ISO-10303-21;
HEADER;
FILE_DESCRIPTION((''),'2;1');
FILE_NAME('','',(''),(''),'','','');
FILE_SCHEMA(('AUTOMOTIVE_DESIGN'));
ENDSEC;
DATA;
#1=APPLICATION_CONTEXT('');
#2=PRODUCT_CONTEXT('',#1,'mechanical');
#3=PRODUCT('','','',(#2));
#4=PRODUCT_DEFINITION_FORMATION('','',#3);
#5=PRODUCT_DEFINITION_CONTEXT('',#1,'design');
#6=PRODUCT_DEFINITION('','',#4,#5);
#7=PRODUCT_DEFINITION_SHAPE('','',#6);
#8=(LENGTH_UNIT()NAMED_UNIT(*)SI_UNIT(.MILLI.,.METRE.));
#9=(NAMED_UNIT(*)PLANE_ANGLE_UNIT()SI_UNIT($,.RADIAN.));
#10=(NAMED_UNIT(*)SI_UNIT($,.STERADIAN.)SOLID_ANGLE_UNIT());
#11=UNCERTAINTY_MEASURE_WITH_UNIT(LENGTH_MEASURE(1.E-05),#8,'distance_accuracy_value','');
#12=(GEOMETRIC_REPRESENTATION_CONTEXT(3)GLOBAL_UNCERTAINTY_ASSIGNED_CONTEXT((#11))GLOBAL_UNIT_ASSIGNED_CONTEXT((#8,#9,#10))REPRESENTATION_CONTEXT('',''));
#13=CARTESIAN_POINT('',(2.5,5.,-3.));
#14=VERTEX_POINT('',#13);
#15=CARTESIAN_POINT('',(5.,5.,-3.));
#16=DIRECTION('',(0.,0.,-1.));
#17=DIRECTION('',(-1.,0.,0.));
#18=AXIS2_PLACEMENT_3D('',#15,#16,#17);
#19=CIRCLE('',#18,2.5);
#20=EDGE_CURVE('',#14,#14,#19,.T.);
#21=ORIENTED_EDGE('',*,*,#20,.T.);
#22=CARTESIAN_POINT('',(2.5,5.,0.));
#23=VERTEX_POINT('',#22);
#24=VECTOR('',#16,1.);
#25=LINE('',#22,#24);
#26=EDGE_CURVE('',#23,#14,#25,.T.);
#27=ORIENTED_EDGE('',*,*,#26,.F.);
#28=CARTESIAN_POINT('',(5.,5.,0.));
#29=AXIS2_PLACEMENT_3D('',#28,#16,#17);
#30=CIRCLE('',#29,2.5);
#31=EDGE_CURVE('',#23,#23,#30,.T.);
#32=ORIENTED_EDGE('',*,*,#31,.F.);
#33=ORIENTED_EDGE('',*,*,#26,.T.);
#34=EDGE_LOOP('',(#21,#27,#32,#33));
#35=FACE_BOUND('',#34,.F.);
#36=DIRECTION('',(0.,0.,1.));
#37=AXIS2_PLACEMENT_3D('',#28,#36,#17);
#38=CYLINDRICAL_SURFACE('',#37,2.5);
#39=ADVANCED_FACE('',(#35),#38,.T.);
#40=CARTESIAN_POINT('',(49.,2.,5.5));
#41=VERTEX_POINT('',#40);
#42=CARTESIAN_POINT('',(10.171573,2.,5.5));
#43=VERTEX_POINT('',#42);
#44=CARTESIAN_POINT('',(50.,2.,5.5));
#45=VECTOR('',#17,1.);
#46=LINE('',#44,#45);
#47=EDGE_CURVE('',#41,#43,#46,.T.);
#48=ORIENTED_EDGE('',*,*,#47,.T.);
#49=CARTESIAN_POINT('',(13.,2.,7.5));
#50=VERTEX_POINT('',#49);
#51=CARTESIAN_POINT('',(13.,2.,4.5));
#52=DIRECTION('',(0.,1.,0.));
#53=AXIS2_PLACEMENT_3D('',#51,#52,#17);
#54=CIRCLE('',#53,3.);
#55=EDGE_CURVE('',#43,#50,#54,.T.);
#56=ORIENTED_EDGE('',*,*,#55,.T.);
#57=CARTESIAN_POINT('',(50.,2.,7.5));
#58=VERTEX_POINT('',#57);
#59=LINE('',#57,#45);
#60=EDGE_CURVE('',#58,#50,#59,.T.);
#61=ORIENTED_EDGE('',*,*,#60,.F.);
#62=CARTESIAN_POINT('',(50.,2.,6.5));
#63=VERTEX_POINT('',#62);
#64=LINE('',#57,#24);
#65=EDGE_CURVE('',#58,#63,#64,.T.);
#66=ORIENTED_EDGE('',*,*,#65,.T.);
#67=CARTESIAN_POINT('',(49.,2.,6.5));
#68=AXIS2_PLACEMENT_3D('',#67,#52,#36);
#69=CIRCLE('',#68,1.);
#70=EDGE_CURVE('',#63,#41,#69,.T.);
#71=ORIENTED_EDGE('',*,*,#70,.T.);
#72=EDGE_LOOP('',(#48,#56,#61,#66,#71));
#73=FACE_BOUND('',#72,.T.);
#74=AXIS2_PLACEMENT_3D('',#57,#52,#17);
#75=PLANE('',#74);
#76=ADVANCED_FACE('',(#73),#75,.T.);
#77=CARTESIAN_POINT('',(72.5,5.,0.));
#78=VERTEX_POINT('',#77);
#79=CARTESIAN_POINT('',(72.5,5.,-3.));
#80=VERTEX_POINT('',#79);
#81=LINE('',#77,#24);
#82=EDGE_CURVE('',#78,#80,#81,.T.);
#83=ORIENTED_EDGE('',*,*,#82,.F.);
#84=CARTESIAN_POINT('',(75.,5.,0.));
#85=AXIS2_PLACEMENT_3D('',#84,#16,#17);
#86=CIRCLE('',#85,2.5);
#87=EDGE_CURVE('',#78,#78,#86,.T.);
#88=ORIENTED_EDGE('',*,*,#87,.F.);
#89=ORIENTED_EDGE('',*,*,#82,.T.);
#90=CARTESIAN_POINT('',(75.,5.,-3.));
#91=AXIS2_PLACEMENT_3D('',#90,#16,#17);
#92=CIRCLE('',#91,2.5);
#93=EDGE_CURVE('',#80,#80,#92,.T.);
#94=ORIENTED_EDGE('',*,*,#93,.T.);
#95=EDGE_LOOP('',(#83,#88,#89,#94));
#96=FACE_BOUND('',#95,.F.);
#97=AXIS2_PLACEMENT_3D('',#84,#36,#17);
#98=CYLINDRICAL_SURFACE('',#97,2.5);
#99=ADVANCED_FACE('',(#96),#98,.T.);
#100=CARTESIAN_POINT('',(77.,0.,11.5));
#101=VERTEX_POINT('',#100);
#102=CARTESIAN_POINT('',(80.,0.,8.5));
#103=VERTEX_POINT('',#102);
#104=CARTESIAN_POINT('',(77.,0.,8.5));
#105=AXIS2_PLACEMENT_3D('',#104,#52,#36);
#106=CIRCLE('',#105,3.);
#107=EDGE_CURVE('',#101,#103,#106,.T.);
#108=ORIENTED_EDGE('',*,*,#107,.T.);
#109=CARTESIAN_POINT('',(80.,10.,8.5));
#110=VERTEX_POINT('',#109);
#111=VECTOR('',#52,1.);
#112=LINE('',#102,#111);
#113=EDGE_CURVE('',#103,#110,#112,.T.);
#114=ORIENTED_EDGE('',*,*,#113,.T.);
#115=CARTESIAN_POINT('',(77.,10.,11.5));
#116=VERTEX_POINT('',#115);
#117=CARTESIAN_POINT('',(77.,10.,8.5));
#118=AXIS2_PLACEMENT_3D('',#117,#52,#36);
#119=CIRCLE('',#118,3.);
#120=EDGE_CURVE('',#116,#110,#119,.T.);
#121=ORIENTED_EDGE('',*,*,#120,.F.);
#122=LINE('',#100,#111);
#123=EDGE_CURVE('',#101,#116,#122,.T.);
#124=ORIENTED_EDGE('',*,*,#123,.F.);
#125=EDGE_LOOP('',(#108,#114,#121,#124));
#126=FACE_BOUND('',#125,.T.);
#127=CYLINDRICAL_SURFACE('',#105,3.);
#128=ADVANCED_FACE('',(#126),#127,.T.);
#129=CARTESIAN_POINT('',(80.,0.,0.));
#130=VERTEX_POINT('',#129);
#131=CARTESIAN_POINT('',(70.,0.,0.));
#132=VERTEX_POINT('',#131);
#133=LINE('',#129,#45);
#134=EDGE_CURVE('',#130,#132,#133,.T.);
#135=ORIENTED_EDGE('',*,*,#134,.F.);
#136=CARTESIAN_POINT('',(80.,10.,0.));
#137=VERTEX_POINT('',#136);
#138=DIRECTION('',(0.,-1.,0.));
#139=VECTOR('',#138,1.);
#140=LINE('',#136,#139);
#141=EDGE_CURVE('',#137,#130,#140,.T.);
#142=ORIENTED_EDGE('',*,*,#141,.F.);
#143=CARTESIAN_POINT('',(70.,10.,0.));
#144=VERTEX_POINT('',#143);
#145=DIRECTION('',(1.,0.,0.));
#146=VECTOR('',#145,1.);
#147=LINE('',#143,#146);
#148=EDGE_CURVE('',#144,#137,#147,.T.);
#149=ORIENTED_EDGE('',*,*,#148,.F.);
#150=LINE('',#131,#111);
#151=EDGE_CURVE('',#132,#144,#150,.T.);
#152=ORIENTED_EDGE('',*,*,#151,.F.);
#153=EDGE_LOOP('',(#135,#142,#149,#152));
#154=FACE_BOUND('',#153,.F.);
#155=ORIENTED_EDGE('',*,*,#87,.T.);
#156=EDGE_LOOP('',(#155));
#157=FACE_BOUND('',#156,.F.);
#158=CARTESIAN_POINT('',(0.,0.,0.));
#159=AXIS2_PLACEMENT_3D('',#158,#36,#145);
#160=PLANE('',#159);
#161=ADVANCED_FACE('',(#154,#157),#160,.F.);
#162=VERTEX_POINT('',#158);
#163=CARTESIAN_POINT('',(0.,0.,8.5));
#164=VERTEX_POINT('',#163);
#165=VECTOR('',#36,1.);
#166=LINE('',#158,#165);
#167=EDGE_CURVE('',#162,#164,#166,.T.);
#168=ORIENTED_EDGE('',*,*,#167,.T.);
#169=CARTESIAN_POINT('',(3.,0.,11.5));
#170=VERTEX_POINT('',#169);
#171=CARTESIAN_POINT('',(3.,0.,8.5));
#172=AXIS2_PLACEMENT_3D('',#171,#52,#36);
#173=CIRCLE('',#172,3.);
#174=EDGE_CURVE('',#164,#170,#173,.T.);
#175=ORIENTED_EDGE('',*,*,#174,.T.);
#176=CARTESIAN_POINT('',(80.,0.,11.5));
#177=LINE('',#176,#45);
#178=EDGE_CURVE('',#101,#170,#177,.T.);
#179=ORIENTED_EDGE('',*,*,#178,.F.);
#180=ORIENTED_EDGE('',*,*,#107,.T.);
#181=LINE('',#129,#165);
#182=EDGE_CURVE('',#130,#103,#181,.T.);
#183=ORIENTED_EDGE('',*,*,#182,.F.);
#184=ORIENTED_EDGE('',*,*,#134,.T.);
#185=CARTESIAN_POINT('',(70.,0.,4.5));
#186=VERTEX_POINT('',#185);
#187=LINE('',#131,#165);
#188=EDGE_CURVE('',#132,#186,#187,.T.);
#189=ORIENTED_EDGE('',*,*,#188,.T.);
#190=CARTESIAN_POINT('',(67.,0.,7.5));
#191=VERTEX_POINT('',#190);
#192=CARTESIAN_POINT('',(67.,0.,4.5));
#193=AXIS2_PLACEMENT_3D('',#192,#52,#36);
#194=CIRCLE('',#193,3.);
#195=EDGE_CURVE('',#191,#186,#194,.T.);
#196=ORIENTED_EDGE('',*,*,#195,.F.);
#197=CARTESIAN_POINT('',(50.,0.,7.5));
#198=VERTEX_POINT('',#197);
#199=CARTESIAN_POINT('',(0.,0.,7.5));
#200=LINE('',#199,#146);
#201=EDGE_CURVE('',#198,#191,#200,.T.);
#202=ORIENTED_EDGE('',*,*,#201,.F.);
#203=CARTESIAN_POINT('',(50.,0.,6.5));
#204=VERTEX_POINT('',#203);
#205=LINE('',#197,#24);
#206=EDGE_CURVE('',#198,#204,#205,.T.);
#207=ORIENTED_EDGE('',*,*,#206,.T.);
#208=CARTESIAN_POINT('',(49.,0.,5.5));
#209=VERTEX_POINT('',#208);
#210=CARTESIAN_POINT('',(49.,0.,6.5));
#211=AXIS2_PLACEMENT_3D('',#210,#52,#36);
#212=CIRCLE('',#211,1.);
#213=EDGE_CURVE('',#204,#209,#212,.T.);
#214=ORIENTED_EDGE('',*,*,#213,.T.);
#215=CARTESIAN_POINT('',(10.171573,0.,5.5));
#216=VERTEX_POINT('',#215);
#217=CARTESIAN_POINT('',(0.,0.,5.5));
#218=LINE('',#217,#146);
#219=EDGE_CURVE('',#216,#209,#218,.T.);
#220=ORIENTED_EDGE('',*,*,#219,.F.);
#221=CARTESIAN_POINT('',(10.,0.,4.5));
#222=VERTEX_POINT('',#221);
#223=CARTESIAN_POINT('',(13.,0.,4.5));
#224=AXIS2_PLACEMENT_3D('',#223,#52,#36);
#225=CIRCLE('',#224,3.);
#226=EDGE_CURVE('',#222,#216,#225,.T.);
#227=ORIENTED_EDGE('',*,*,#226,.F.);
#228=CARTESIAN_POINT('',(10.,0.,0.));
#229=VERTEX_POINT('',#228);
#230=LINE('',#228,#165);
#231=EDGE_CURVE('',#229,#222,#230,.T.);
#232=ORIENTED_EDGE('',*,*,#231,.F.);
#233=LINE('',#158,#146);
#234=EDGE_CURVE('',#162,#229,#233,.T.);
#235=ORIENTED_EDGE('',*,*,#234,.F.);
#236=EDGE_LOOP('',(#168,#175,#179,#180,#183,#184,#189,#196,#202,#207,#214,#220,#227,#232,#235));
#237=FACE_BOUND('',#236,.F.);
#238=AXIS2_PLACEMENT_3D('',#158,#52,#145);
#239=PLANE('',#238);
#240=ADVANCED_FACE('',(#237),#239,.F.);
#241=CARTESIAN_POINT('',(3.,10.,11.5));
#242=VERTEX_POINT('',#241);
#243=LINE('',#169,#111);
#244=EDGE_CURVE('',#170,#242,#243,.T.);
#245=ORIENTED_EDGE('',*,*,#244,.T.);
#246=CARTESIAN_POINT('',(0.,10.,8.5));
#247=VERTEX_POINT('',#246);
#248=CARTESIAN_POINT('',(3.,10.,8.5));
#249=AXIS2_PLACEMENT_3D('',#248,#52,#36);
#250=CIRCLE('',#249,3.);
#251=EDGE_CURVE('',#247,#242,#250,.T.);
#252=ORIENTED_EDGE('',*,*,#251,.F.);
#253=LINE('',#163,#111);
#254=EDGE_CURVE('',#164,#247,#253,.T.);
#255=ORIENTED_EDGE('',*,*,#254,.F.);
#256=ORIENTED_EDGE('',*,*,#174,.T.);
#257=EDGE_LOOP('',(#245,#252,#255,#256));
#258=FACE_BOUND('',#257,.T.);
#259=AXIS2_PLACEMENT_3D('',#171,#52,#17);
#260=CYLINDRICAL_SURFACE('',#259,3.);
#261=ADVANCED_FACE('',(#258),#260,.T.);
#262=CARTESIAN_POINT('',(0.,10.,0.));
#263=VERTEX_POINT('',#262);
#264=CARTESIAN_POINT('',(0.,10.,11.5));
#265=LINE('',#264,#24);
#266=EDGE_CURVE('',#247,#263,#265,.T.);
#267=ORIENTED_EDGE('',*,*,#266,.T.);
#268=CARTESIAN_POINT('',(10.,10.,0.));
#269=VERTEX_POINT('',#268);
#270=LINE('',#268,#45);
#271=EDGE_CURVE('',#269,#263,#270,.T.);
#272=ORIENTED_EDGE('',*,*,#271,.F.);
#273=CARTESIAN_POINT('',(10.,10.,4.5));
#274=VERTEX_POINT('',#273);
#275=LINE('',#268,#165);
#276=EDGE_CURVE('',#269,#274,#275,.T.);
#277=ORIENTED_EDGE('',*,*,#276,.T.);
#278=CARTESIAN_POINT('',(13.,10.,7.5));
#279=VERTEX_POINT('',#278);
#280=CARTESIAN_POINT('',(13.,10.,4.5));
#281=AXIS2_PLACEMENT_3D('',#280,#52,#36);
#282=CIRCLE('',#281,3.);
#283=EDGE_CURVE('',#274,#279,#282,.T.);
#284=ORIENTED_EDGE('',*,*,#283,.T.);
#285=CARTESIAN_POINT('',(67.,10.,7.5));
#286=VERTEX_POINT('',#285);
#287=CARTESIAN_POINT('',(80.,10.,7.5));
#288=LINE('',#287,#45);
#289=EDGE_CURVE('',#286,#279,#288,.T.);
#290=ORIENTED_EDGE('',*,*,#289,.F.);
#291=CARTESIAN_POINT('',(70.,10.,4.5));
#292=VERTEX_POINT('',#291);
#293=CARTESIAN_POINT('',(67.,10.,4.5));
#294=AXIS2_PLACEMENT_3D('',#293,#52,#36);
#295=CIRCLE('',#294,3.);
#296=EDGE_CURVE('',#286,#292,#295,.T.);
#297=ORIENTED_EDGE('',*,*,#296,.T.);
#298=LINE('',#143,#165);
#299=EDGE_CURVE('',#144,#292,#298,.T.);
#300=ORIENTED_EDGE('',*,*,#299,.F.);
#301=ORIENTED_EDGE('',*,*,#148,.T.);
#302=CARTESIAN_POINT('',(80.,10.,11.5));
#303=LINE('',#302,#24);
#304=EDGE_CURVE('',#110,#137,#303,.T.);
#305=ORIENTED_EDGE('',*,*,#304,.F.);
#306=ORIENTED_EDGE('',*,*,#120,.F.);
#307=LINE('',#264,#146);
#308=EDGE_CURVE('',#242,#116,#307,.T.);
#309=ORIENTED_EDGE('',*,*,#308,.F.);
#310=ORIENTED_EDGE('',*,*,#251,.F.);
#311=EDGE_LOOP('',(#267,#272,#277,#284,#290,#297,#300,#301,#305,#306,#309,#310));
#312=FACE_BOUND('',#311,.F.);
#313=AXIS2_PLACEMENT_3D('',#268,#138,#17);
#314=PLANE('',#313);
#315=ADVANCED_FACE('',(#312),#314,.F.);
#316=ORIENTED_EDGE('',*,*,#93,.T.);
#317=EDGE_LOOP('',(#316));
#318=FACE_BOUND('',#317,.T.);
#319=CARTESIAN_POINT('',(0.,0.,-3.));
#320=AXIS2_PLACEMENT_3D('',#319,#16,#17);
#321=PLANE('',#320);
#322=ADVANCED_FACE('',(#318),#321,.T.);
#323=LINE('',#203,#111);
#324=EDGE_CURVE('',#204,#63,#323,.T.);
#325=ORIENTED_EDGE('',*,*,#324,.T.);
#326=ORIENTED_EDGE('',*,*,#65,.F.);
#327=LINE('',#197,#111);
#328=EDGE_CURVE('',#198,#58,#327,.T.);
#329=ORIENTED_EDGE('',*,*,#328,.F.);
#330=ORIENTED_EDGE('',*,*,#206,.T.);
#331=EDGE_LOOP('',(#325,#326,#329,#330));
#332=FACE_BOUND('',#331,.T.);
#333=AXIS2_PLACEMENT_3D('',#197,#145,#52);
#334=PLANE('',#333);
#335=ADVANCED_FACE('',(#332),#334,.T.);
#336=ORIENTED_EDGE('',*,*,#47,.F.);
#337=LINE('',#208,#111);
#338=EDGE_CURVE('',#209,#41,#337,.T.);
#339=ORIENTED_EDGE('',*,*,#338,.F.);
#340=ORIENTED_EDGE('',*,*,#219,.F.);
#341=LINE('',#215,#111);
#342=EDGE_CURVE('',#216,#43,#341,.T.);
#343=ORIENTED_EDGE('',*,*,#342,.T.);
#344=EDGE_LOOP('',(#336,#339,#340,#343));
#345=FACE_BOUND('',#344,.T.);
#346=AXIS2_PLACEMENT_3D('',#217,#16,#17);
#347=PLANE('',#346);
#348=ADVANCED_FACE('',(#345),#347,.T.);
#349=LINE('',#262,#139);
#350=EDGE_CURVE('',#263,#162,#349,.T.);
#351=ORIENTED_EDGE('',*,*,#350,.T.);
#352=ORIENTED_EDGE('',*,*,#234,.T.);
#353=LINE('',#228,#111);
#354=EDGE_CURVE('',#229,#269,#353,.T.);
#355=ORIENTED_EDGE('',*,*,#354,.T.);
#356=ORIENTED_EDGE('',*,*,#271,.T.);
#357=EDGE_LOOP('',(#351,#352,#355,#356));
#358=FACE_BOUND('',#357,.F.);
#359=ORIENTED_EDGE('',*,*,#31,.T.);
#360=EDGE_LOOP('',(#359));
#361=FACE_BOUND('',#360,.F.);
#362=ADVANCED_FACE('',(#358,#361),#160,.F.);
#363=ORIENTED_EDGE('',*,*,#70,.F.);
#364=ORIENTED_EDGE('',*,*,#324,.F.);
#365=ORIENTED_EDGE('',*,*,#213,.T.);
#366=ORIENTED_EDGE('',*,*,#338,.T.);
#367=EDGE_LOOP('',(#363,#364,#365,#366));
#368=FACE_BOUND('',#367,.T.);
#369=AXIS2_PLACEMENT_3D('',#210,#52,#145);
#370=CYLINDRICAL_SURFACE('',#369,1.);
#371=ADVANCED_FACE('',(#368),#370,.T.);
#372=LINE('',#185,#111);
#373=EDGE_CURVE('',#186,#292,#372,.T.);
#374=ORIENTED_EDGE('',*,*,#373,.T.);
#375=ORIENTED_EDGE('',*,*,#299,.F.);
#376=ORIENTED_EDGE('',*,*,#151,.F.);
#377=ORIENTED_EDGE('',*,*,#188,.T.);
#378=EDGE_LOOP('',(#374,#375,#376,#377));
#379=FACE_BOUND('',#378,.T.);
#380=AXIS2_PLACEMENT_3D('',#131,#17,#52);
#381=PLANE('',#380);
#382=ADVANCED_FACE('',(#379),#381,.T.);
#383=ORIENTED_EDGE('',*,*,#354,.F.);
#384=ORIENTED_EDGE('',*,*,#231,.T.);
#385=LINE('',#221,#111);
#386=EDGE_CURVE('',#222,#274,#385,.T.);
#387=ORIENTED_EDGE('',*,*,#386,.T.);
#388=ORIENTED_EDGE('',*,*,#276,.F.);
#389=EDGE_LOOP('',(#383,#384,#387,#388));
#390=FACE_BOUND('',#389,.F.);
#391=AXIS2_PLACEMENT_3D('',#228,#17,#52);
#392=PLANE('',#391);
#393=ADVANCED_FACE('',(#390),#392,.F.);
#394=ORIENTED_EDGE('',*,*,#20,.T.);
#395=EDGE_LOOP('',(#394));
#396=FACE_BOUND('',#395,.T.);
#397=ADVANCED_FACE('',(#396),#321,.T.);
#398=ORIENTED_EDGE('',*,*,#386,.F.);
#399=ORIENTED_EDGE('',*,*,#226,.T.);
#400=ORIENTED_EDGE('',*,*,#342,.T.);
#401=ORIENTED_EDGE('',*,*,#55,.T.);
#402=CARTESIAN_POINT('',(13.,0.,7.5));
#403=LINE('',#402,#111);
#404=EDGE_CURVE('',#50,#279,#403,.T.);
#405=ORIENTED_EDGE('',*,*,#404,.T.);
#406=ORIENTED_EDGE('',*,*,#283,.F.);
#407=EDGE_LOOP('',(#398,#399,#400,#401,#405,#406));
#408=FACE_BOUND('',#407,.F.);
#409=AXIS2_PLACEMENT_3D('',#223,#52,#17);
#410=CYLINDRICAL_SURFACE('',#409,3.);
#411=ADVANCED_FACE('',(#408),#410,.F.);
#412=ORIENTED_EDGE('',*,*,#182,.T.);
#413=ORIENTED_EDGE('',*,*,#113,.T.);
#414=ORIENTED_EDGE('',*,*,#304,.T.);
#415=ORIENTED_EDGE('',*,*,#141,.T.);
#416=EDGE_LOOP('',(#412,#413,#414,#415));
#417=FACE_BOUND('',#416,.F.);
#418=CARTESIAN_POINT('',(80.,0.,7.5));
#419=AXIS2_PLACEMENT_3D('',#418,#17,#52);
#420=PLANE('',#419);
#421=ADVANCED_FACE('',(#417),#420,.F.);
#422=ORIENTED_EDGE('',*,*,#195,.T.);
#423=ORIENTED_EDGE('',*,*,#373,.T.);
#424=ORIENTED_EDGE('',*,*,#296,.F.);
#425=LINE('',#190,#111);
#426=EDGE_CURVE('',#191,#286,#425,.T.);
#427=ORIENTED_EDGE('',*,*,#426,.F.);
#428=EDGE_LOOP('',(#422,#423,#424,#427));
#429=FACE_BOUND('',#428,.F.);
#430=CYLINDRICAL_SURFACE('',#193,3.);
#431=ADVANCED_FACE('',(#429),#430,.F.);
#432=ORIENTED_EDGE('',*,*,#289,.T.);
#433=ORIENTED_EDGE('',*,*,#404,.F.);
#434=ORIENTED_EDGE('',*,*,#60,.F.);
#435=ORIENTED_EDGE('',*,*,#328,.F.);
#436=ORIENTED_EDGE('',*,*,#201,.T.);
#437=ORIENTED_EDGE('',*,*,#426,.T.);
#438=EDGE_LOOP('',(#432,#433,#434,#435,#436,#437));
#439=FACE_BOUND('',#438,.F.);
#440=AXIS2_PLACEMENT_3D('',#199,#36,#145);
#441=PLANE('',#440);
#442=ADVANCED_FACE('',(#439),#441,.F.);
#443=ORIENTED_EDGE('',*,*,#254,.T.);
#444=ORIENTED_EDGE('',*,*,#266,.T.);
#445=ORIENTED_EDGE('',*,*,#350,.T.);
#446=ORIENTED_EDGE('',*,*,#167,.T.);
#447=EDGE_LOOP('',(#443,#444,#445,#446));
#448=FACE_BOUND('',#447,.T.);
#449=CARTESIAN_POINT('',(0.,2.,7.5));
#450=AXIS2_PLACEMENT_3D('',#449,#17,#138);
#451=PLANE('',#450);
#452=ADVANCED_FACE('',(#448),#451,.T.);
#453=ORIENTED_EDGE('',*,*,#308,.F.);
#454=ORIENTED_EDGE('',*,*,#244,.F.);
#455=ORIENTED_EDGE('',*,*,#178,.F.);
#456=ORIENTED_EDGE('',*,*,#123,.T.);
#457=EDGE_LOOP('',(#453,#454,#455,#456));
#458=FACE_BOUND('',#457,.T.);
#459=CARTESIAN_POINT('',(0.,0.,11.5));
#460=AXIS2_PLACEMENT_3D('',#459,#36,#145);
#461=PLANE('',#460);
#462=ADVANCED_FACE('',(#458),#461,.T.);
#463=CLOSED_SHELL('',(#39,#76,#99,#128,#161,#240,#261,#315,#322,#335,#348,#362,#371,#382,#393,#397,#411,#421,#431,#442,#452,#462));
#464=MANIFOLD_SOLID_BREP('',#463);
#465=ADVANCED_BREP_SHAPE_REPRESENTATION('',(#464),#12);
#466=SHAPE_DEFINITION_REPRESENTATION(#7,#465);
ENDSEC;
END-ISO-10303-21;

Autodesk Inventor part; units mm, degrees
ref_plane "YZ Plane" through (0, 0, 0) normal (1, 0, 0) x (0, 1, 0)
ref_plane "XZ Plane" through (0, 0, 0) normal (0, 1, 0) x (-1, 0, 0)
ref_plane "XY Plane" through (0, 0, 0) normal (0, 0, 1) x (1, 0, 0)
sketch "Skizze1" plane through (0, 0, 0) normal (0, 0, 1) x (1, 0, 0)
  line L0 (0, 0) -> (10, 0)
  line L1 (10, 0) -> (10, 10)
  line L2 (10, 10) -> (0, 10)
  line L3 (0, 10) -> (0, 0)
  line L4 (70, 10) -> (80, 10)
  line L5 (80, 10) -> (80, 0)
  line L6 (80, 0) -> (70, 0)
  line L7 (70, 0) -> (70, 10)
  dimension "d0" = 10
  dimension "d1" = 10
  dimension "d2" = 10
  dimension "d3" = 10
  dimension "d4" = 60
extrude "Extrusion1" add sketch "Skizze1" along normal blind 7.5
sketch "Skizze2" plane through (0, 0, 7.5) normal (0, 0, 1) x (1, 0, 0)
  line L0 (80, 10) -> (70, 10) projected
  line L1 (70, 10) -> (70, 0) projected
  line L2 (70, 0) -> (80, 0) projected
  line L3 (80, 0) -> (80, 10) projected
  line L4 (0, 10) -> (80, 10)
  line L5 (80, 10) -> (80, 0)
  line L6 (80, 0) -> (0, 0)
  line L7 (0, 0) -> (0, 10)
extrude "Extrusion2" add sketch "Skizze2" along normal blind 4
fillet "Rundung1" radius 3 1 edges at (0, 5, 11.5)
fillet "Rundung1" radius 3 1 edges at (80, 5, 11.5)
fillet "Rundung1" radius 3 1 edges at (70, 5, 7.5)
fillet "Rundung1" radius 3 1 edges at (10, 5, 7.5)
sketch "Skizze3" plane through (0, 0, 7.5) normal (0, 0, -1) x (-1, 0, 0)
  line L0 (0, 0) -> (-50, 0)
  line L1 (-50, 0) -> (-50, 2)
  line L2 (-50, 2) -> (0, 2)
  line L3 (0, 2) -> (0, 0)
  dimension "d13" = 50
  dimension "d14" = 2
extrude "Extrusion3" add sketch "Skizze3" along normal blind 2
fillet "Rundung2" radius 1 1 edges at (50, 1, 5.5)
sketch "Skizze4" plane through (0, 0, 0) normal (0, 0, -1) x (-1, 0, 0)
  line L0 (0, 0) -> (-10, 0) projected
  line L1 (0, 10) -> (0, 0) projected
  circle A0 centre (-5, 5) radius 2.5
  dimension "d18" = 5
  dimension "d19" = 5
  dimension "d20" = 5
sketch "Skizze5" plane through (0, 0, 0) normal (0, 0, -1) x (-1, 0, 0)
  line L0 (-80, 0) -> (-70, 0) projected
  line L1 (-70, 0) -> (-70, 10) projected
  circle A0 centre (-75, 5) radius 2.5
  point P0 (0, 0)
  dimension "d21" = 5
  dimension "d22" = 5
  dimension "d23" = 5
extrude "Extrusion4" add sketch "Skizze4" along normal blind 3
extrude "Extrusion5" add sketch "Skizze5" along normal blind 3
properties part number "USB-Halter"
